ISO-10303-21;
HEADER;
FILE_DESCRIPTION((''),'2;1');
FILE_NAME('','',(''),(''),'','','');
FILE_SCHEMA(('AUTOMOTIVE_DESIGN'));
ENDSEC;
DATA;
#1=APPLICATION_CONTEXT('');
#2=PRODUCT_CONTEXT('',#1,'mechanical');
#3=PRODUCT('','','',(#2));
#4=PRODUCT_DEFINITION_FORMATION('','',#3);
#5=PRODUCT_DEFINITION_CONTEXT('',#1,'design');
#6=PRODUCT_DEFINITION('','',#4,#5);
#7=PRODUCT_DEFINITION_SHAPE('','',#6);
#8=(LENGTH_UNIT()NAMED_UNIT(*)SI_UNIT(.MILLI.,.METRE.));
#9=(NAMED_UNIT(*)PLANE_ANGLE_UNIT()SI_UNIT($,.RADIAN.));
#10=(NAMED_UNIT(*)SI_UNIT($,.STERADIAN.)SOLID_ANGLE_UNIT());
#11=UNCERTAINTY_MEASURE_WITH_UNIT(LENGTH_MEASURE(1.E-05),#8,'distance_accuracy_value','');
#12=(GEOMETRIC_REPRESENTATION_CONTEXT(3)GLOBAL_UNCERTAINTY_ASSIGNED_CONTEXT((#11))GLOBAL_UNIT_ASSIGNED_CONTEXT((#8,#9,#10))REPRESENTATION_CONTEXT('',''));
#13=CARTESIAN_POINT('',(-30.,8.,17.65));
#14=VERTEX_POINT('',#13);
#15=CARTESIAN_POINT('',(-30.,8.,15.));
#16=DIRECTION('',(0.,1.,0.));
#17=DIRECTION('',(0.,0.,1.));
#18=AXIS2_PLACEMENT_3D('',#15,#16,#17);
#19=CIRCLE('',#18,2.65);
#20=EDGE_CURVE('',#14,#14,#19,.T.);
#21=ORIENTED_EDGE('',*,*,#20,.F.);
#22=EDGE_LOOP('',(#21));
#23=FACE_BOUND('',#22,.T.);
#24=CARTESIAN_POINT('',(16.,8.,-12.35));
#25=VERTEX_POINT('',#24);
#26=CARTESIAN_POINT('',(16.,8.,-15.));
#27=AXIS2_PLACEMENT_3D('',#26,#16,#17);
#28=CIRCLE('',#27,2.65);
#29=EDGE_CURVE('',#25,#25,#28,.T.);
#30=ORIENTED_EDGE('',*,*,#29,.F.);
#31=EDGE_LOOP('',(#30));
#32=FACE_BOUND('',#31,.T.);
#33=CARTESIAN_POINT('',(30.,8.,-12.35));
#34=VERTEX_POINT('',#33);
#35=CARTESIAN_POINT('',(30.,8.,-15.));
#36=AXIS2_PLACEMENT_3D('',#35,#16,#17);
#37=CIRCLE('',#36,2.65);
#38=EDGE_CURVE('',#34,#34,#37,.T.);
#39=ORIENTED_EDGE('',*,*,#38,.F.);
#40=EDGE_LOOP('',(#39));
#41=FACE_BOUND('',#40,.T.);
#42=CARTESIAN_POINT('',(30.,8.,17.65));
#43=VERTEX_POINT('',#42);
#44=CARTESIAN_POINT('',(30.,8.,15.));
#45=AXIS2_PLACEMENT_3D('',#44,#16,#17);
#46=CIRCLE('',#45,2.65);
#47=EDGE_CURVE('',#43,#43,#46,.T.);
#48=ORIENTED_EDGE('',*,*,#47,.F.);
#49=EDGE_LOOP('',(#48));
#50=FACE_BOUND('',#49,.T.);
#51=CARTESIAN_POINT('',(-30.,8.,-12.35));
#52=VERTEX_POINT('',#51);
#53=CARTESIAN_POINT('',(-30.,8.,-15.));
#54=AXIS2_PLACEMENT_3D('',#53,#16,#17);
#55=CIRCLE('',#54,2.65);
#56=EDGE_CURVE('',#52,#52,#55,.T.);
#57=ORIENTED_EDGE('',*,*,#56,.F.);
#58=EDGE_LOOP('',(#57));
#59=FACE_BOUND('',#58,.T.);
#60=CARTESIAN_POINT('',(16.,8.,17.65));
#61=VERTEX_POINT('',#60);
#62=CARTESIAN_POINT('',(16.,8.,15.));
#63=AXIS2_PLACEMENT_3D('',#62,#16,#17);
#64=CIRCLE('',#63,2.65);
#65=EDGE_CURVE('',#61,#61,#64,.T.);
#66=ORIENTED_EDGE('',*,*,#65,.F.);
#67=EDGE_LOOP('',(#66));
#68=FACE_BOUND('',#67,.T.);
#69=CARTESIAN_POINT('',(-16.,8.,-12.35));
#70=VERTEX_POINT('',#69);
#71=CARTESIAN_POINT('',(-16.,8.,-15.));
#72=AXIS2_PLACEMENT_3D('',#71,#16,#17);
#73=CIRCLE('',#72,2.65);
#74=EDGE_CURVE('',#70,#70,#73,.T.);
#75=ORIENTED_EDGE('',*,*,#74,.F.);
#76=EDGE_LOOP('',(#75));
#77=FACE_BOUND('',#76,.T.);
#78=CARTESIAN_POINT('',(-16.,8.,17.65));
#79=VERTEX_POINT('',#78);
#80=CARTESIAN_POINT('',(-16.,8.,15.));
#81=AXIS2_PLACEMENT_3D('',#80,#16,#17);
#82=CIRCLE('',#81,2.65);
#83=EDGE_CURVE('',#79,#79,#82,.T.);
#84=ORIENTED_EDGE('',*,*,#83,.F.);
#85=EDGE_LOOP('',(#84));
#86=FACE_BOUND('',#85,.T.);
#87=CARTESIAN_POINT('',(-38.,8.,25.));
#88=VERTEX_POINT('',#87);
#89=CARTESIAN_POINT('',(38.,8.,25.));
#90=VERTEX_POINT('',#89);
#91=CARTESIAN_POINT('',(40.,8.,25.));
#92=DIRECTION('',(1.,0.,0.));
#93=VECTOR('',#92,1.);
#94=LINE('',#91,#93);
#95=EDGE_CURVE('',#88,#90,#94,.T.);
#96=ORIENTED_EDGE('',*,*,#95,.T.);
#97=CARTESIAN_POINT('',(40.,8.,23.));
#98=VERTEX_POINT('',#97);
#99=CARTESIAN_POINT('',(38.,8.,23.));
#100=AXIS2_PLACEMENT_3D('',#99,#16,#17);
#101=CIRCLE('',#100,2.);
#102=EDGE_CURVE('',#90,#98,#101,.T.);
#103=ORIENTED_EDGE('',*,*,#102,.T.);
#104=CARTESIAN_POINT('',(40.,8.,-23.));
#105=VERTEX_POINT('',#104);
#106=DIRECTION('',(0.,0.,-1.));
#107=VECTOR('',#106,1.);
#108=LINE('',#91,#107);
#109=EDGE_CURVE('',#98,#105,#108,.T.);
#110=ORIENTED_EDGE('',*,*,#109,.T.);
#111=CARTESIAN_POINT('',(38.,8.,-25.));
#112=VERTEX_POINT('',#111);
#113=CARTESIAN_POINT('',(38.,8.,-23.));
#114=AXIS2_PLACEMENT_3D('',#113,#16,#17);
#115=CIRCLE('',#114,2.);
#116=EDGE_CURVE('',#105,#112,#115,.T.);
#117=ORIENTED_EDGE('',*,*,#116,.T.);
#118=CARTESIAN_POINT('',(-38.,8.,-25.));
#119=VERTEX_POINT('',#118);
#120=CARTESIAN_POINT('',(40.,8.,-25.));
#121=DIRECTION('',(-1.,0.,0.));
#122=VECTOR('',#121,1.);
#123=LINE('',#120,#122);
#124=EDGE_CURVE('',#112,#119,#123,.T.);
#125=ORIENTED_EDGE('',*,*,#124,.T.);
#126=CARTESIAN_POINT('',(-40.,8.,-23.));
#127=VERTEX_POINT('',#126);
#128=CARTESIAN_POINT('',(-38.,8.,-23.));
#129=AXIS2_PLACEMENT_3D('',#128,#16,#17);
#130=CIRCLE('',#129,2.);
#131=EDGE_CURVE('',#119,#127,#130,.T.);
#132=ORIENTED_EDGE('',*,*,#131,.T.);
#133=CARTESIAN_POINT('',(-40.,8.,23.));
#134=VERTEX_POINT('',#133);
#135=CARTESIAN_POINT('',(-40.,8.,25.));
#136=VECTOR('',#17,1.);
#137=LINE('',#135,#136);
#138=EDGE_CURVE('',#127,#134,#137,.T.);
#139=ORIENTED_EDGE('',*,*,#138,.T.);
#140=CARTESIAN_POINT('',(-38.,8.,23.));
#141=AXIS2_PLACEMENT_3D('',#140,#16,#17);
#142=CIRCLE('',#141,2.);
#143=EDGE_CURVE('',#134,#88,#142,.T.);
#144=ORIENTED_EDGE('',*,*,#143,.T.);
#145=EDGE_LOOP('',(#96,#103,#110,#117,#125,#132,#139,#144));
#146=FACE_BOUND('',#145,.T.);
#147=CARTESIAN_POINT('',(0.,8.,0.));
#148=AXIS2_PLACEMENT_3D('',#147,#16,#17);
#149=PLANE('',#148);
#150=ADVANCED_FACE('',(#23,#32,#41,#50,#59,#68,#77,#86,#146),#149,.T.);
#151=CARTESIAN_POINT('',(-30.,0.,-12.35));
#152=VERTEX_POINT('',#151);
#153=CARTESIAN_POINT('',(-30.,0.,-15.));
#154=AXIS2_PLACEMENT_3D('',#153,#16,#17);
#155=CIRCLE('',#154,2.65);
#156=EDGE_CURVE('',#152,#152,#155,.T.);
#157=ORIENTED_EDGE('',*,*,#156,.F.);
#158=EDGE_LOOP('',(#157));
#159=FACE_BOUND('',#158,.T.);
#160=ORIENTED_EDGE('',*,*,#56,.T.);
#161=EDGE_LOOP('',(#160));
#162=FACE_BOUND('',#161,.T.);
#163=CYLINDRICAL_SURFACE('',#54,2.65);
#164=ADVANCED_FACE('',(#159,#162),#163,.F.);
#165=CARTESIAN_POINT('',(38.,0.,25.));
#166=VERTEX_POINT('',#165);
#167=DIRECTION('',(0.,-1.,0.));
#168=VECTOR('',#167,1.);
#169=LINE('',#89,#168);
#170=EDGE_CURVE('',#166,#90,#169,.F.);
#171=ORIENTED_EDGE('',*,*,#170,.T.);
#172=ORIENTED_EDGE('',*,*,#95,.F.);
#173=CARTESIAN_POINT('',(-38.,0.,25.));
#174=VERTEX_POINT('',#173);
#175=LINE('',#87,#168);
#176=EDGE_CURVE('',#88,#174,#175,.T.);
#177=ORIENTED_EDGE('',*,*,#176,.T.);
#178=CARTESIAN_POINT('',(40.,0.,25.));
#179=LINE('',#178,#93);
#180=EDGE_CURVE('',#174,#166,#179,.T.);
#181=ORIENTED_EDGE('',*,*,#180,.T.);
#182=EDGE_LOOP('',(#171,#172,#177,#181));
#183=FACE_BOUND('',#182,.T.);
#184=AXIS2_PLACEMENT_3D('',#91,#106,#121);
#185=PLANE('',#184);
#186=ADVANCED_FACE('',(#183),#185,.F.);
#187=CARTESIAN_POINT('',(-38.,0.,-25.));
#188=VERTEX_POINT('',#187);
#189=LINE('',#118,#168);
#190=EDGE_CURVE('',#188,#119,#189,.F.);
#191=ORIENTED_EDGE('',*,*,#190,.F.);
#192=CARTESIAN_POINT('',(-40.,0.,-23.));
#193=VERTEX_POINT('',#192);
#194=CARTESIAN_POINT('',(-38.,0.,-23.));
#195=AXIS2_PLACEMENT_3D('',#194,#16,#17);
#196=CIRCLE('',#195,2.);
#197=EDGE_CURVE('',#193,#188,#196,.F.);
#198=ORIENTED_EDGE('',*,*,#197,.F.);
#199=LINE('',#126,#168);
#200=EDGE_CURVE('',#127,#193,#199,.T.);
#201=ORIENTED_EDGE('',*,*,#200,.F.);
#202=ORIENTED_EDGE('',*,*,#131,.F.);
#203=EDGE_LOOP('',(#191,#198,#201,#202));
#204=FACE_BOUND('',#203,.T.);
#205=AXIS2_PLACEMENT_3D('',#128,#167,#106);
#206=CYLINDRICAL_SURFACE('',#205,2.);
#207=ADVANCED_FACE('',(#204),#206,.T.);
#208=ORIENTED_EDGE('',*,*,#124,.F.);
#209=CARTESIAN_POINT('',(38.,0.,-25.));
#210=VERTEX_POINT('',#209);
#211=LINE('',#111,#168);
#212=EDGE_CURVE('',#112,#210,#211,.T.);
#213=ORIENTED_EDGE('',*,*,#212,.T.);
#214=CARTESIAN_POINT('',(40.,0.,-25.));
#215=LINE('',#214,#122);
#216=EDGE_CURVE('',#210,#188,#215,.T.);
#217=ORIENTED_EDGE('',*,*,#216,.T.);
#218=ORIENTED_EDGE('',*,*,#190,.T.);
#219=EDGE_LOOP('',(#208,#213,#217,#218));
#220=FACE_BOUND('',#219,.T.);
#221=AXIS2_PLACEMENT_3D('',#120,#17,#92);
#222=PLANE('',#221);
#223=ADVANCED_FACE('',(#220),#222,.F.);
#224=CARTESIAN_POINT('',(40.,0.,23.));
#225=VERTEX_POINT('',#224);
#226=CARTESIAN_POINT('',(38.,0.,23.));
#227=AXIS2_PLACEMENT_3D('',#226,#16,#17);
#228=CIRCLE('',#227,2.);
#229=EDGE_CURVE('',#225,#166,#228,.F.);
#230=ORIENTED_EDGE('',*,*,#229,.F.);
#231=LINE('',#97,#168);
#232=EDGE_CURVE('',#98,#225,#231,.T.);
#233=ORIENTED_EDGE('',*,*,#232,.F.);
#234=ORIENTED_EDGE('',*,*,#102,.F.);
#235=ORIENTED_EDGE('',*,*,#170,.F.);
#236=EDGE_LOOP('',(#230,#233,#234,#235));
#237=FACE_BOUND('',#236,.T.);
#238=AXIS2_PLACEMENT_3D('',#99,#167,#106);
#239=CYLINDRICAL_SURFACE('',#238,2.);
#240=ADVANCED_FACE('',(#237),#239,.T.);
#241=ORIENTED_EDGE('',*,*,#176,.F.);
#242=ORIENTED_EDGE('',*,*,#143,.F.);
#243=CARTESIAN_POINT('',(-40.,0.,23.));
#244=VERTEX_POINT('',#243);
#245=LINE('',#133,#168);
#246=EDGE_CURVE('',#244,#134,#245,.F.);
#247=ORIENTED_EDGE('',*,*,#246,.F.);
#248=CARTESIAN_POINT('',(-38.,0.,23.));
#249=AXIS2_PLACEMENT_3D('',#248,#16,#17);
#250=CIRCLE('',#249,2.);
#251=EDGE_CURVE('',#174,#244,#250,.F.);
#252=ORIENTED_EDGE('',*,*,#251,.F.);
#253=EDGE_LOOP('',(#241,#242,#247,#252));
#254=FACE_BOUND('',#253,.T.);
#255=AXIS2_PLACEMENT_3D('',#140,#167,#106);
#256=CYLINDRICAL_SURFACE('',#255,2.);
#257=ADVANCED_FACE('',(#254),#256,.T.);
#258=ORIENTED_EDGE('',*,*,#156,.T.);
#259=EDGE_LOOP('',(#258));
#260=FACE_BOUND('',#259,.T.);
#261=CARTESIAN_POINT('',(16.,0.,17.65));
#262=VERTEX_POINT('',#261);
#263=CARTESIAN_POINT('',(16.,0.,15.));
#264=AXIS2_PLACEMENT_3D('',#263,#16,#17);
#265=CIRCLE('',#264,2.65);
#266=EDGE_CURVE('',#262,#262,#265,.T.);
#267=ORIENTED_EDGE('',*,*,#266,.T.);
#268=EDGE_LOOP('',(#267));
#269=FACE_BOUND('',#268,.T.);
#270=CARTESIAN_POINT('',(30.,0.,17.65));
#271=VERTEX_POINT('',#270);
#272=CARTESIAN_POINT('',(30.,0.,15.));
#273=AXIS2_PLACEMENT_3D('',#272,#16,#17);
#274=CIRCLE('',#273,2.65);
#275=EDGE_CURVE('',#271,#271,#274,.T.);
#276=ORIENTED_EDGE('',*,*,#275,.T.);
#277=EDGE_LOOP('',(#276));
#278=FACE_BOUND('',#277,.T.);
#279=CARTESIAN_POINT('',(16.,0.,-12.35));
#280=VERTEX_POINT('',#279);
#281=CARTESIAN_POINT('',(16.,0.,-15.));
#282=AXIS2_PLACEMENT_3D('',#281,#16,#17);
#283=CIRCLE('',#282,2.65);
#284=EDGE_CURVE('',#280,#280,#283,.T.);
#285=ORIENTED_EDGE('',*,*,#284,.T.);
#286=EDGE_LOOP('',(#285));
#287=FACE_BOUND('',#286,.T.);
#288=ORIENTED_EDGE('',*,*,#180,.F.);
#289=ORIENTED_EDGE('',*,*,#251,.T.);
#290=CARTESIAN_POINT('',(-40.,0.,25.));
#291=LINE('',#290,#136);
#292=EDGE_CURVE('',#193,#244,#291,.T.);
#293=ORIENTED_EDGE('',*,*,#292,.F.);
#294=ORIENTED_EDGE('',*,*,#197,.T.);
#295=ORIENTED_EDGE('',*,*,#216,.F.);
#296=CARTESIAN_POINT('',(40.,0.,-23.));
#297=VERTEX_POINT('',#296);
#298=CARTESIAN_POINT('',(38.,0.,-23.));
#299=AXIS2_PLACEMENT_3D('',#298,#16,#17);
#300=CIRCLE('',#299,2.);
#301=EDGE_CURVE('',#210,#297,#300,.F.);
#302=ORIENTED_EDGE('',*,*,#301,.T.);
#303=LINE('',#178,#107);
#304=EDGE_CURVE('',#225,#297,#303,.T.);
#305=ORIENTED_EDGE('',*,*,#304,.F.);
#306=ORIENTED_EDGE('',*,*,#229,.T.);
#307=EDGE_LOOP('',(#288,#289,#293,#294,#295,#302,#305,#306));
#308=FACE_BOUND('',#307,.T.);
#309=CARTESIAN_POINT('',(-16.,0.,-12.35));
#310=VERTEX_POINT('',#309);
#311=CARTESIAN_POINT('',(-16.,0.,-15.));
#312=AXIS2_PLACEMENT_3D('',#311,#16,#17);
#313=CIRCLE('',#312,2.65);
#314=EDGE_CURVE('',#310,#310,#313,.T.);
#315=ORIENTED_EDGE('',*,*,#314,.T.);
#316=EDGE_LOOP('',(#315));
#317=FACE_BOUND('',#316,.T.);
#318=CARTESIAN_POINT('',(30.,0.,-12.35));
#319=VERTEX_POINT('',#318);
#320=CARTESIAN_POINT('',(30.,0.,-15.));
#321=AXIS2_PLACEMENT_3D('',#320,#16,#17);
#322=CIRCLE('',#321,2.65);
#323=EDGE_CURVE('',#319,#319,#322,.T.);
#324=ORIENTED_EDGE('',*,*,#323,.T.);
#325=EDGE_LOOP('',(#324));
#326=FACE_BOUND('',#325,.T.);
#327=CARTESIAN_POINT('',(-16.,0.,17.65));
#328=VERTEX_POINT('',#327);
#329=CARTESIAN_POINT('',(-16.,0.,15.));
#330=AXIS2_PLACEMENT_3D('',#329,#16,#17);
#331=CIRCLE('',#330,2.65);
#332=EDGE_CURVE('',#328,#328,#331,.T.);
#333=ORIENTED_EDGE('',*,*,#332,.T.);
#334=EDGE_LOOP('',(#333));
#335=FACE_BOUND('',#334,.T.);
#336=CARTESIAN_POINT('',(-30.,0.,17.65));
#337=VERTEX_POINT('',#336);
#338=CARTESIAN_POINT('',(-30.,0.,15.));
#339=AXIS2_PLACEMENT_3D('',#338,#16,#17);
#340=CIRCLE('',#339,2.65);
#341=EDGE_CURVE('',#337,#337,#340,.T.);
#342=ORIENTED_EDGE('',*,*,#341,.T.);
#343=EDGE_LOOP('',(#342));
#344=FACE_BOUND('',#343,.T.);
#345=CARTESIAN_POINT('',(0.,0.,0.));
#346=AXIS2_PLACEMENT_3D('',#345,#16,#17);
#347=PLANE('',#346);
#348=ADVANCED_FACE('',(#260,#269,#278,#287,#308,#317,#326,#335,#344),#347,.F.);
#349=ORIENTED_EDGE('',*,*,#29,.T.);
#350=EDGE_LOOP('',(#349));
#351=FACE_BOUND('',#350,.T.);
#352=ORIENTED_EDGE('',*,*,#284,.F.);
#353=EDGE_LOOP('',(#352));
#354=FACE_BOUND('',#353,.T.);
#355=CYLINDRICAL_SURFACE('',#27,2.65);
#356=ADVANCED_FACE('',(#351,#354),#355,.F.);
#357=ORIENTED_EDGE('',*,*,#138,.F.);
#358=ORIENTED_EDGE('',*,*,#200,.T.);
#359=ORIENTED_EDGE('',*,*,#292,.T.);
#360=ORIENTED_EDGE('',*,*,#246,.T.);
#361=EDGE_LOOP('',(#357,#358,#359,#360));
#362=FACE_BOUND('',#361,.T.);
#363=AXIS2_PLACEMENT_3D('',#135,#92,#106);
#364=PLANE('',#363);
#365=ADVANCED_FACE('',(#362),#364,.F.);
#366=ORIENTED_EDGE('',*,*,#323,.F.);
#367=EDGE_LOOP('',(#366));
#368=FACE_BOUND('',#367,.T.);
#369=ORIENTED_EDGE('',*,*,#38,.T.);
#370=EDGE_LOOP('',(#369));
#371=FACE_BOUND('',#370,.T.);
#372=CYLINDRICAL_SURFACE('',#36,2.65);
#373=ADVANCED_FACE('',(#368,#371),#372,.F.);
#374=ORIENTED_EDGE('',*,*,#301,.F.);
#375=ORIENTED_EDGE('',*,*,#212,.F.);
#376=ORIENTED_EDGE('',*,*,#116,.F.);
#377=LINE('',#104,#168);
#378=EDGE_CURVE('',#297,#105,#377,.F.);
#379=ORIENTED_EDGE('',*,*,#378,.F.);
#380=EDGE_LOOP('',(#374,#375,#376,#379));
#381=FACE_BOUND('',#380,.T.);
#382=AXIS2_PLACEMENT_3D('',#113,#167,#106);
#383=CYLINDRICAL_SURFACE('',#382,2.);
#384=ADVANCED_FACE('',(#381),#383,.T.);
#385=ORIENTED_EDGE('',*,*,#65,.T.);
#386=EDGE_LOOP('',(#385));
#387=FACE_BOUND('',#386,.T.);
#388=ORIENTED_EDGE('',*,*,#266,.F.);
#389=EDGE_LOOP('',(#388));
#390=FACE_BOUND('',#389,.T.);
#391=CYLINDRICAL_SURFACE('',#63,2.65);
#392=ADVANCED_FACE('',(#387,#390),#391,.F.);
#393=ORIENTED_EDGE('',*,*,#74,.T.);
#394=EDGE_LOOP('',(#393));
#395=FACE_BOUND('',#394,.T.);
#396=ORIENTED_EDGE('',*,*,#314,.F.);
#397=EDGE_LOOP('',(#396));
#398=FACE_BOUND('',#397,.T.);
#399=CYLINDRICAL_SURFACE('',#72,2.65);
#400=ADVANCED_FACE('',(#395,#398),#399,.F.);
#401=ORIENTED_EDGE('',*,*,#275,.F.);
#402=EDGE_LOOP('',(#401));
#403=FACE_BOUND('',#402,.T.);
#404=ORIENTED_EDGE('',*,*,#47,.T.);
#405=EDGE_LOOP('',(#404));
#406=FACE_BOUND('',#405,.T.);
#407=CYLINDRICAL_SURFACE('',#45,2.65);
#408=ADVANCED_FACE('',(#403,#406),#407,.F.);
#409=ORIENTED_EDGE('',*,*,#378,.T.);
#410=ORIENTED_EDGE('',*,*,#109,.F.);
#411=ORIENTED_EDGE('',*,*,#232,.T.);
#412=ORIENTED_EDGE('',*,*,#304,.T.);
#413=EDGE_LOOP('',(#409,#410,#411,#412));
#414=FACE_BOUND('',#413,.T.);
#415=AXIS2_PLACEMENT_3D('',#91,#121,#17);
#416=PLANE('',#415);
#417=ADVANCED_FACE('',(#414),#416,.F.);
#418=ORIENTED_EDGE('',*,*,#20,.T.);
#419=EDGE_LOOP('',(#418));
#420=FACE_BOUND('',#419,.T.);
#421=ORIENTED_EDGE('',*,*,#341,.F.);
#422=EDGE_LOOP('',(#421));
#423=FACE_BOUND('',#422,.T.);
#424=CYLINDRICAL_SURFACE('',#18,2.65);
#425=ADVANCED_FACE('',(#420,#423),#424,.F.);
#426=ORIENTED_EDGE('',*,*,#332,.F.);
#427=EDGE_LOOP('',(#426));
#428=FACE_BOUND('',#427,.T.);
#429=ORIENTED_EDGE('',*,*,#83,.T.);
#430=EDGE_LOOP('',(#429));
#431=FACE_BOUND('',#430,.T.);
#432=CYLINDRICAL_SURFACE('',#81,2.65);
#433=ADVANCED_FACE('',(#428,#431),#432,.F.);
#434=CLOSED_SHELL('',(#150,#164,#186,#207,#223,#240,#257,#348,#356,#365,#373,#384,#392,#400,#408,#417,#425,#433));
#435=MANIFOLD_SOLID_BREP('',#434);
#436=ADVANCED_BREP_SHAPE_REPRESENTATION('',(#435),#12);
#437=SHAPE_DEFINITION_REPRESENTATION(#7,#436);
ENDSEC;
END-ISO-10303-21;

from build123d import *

# Parameters (mm, degrees)
SKETCH1_W                = 80
SKETCH1_H                = 50
BOSS_EXTRUDE1_DEPTH      = 8
FILLET1_R                = 2
M5_CLEARANCE_HOLE1_D     = 5.3
M5_CLEARANCE_HOLE1_DEPTH = 8
M5_CLEARANCE_HOLE1_TIP   = 1.59228064


with BuildPart() as part:
    # Sketch1 → Boss-Extrude1 (new body)
    with BuildSketch(Plane(origin=(0, 0, 0), x_dir=(1, 0, 0), z_dir=(0, 1, 0))):
        Rectangle(SKETCH1_W, SKETCH1_H)
    extrude(amount=BOSS_EXTRUDE1_DEPTH)

    # Fillet1
    fillet1_edges = [part.edges().sort_by_distance(p)[0] for p in [
        (-40, 4, -25),
        (40, 4, -25),
        (40, 4, 25),
        (-40, 4, 25),
    ]]
    fillet(fillet1_edges, radius=FILLET1_R)

    # M5 Clearance Hole1
    with Locations(Plane(origin=(0, 8, 0), x_dir=(1, 0, 0), z_dir=(0, 1, 0))):
        with Locations((-30, 15), (-16, 15), (-16, -15), (-30, -15), (30, -15), (16, -15), (16, 15), (30, 15)):
            Hole(M5_CLEARANCE_HOLE1_D / 2, depth=M5_CLEARANCE_HOLE1_DEPTH)
            with Locations((0, 0, -(M5_CLEARANCE_HOLE1_DEPTH + M5_CLEARANCE_HOLE1_TIP / 2))):  # 118° drill point
                Cone(0, M5_CLEARANCE_HOLE1_D / 2, M5_CLEARANCE_HOLE1_TIP, mode=Mode.SUBTRACT)


solid = part.part
